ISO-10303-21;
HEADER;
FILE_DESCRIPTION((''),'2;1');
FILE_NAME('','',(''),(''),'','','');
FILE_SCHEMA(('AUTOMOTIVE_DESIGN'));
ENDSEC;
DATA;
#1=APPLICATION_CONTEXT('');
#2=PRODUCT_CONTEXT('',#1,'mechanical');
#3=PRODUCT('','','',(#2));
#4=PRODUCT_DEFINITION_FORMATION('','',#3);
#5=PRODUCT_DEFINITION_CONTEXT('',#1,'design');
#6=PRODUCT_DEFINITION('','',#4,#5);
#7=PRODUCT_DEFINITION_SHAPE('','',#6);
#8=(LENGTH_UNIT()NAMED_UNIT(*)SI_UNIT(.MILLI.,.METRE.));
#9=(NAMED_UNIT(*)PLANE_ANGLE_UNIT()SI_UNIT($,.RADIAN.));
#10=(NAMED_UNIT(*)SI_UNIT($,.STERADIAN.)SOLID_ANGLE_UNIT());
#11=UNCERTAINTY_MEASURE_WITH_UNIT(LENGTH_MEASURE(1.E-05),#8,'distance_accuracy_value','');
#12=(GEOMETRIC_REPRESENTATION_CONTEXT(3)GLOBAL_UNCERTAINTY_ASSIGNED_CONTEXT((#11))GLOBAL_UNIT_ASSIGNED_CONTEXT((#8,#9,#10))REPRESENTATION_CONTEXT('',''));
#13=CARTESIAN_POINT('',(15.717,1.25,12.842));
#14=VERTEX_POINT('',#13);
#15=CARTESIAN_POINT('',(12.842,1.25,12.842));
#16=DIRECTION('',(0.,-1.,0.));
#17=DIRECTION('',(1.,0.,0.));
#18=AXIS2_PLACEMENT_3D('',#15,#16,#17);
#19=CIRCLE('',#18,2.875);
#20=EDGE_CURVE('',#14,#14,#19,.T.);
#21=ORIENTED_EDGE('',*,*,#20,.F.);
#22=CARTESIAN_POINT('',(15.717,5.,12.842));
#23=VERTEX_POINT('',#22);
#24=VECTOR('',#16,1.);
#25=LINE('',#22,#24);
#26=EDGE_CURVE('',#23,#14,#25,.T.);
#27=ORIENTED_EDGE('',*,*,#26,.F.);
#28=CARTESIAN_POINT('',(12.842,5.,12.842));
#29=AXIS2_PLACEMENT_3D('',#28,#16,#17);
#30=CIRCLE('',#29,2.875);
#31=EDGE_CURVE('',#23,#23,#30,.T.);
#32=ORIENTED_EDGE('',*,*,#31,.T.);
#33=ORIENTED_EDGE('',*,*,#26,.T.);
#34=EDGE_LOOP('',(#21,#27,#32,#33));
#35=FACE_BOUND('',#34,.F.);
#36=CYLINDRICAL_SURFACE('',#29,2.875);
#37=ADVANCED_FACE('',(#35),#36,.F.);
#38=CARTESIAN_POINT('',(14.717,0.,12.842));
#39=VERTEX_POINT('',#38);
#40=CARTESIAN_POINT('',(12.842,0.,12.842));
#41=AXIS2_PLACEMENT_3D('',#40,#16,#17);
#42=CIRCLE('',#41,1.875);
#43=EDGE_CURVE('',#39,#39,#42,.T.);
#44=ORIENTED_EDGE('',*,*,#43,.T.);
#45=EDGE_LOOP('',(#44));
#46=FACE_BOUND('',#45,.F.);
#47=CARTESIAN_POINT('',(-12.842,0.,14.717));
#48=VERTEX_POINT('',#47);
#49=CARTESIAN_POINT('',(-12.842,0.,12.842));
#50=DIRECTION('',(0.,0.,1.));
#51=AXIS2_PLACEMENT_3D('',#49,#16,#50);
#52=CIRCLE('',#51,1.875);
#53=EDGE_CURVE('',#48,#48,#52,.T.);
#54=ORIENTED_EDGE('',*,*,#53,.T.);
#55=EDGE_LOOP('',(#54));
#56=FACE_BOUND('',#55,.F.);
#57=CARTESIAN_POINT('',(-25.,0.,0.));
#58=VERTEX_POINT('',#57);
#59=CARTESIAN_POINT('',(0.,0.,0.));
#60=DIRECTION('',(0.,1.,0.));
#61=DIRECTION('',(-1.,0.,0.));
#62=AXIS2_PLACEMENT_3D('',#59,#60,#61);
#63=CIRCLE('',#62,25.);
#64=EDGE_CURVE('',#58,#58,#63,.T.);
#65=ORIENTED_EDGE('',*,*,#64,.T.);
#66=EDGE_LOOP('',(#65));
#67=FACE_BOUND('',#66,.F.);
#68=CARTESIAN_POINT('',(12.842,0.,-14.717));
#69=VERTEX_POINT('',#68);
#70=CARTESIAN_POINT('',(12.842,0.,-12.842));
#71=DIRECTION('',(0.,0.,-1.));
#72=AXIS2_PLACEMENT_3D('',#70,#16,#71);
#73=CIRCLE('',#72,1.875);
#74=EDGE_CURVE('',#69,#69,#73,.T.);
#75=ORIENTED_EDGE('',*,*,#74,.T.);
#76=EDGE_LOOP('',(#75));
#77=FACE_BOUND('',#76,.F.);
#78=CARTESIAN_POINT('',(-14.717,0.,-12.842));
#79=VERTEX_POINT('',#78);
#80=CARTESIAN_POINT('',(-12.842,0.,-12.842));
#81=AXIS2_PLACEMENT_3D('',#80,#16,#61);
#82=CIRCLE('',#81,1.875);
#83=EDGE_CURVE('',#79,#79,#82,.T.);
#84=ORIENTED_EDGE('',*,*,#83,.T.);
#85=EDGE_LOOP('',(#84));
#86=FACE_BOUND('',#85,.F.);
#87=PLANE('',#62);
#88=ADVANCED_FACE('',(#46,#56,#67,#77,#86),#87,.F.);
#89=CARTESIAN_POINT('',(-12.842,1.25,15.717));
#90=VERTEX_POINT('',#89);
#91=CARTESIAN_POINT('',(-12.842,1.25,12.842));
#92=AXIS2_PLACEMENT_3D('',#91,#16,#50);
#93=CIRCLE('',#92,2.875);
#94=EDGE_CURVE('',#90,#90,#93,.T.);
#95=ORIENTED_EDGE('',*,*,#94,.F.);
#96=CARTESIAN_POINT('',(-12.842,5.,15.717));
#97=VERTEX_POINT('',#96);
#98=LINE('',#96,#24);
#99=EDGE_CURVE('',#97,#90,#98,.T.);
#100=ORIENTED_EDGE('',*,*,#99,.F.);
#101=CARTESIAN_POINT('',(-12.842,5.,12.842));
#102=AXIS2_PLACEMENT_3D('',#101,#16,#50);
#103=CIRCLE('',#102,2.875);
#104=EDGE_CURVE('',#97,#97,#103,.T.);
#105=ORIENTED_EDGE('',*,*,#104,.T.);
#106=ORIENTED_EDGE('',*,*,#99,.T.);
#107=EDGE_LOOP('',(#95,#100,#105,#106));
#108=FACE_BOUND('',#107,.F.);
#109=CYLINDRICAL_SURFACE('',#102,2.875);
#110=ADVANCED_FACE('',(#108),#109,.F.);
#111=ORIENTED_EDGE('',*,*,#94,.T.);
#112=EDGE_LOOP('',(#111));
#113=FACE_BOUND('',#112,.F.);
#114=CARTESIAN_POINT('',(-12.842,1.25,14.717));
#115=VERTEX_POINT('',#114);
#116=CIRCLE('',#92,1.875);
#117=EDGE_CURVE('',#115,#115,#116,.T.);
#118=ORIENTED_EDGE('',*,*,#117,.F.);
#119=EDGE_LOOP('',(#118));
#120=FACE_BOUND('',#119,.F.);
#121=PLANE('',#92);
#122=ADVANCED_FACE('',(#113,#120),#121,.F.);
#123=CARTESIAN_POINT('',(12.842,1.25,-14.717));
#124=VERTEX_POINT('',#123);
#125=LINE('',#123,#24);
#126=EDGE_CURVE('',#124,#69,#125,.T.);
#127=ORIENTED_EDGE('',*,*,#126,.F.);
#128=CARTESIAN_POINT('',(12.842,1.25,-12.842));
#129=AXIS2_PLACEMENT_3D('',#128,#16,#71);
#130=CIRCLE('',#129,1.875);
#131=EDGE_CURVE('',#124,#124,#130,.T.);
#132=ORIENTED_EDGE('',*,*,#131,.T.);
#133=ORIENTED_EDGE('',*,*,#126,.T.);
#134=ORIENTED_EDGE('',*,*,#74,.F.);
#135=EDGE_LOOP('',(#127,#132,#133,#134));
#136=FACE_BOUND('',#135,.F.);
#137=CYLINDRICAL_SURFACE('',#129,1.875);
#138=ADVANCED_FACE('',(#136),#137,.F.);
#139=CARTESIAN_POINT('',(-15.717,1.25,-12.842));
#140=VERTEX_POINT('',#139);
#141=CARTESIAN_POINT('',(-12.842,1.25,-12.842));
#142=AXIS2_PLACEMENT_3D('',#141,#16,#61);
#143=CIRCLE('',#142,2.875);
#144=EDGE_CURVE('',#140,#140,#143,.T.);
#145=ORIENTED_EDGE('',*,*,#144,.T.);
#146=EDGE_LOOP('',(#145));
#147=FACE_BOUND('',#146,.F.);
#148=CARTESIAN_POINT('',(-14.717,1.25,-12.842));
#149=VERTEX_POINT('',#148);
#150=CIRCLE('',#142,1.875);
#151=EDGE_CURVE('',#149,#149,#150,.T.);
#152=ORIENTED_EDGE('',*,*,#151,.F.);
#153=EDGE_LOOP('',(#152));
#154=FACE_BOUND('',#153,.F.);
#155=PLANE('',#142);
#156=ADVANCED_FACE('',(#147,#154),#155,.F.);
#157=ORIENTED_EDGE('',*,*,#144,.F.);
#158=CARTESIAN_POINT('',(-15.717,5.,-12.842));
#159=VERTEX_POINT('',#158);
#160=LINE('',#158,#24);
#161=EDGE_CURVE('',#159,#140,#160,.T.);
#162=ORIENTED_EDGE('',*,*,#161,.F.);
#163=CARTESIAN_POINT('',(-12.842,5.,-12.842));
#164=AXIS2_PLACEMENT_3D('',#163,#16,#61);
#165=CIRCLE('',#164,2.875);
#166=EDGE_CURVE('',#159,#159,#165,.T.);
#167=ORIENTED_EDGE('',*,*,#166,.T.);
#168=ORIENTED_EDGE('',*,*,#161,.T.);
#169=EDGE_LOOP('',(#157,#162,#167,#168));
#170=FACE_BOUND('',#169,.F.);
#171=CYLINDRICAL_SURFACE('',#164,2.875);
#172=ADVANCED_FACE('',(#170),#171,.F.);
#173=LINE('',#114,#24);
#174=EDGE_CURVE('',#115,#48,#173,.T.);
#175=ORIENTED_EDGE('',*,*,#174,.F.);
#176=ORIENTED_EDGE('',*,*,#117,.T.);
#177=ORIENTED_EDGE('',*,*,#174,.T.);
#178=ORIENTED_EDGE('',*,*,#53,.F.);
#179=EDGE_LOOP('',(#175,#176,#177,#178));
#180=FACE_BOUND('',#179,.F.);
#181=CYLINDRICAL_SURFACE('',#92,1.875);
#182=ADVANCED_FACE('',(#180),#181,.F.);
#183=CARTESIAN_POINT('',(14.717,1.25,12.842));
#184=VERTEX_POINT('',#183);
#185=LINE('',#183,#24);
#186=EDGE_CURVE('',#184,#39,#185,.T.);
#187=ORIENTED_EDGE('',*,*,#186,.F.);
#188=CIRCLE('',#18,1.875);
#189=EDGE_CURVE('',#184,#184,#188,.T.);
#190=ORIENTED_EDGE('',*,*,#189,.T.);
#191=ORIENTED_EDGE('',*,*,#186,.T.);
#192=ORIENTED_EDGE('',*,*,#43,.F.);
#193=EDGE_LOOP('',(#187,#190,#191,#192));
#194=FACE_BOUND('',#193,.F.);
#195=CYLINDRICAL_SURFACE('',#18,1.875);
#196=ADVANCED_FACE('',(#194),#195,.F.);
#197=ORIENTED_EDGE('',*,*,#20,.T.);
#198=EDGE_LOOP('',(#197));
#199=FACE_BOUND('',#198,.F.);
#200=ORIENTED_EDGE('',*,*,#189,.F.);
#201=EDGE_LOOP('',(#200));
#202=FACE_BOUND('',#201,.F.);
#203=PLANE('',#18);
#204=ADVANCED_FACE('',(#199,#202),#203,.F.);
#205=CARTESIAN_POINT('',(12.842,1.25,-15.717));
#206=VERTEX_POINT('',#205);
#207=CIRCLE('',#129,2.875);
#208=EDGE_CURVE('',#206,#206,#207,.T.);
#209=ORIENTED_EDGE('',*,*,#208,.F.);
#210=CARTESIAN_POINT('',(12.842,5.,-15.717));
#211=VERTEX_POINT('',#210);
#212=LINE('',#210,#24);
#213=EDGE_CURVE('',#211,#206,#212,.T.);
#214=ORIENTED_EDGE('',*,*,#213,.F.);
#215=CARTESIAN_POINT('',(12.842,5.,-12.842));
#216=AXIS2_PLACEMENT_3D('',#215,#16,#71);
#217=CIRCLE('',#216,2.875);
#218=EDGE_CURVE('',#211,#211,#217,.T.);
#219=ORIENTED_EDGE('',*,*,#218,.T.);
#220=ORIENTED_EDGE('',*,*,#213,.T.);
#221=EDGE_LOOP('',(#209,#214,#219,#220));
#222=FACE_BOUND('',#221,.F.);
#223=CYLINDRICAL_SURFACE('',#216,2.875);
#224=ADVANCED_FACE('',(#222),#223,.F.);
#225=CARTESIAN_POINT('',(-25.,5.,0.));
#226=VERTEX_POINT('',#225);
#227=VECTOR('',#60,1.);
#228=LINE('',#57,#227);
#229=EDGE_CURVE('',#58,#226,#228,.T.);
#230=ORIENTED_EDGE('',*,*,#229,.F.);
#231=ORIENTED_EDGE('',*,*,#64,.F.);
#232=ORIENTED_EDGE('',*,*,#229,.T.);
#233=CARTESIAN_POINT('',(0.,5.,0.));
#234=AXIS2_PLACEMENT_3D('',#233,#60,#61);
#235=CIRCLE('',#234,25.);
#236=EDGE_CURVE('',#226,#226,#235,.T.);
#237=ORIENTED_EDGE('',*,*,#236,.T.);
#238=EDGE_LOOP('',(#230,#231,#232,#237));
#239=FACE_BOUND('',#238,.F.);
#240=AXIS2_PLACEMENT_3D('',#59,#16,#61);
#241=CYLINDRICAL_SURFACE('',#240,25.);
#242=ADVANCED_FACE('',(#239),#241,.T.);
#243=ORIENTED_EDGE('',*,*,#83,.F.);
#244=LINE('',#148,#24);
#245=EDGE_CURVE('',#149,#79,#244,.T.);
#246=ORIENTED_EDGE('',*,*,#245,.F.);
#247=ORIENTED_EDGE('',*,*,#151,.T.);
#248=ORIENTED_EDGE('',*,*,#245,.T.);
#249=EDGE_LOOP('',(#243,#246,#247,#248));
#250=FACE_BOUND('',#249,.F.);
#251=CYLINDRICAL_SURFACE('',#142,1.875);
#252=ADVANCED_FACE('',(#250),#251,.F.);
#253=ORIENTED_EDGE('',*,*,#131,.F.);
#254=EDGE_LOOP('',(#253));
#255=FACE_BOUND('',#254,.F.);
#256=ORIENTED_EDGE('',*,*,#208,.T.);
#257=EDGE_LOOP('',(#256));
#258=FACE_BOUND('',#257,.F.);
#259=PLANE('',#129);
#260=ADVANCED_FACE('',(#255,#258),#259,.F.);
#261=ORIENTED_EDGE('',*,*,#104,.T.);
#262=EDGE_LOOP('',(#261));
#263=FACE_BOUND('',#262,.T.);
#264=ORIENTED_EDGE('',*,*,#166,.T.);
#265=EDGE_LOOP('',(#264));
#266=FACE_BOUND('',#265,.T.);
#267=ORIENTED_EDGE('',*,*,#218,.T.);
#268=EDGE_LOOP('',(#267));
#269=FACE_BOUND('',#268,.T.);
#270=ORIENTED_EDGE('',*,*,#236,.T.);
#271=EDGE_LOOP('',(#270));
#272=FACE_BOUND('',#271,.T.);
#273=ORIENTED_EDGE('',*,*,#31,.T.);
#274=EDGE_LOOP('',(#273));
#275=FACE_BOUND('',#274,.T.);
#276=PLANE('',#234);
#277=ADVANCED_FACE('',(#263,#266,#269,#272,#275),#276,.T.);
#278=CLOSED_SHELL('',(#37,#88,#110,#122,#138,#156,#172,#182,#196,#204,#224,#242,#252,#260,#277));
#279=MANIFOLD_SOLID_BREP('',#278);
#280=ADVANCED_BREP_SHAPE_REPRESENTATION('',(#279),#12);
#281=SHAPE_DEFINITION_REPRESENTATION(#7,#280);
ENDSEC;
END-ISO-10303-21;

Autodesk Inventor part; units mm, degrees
ref_plane "YZ Plane" through (0, 0, 0) normal (1, 0, 0) x (0, 1, 0)
ref_plane "XZ Plane" through (0, 0, 0) normal (0, 1, 0) x (-1, 0, 0)
ref_plane "XY Plane" through (0, 0, 0) normal (0, 0, 1) x (1, 0, 0)
sketch "Sketch1" plane through (0, 0, 0) normal (0, 1, 0) x (-1, 0, 0)
  circle A0 centre (0, 0) radius 25
  dimension "d0" = 50
extrude "Extrusion1" add sketch "Sketch1" along normal blind 5
sketch "Sketch3" plane through (0, 5, 0) normal (0, 1, 0) x (1, 0, 0)
  point P0 (0, 0)
  point P1 (-12.842, -12.842)
  dimension "d25" = 12.842
  dimension "d26" = 12.842
hole "Hole2" at (-12.842, 5, 12.842) direction (0, -1, 0) diameter 3.75 depth 14.944 counterbore diameter 5.75 counterbore depth 3.75
pattern_circular "Circular Pattern1" count 4 over 360 about axis through (0, -10, 0) along (0, 1, 0) of "Hole2"
properties part number "PrismCageAdapter"
